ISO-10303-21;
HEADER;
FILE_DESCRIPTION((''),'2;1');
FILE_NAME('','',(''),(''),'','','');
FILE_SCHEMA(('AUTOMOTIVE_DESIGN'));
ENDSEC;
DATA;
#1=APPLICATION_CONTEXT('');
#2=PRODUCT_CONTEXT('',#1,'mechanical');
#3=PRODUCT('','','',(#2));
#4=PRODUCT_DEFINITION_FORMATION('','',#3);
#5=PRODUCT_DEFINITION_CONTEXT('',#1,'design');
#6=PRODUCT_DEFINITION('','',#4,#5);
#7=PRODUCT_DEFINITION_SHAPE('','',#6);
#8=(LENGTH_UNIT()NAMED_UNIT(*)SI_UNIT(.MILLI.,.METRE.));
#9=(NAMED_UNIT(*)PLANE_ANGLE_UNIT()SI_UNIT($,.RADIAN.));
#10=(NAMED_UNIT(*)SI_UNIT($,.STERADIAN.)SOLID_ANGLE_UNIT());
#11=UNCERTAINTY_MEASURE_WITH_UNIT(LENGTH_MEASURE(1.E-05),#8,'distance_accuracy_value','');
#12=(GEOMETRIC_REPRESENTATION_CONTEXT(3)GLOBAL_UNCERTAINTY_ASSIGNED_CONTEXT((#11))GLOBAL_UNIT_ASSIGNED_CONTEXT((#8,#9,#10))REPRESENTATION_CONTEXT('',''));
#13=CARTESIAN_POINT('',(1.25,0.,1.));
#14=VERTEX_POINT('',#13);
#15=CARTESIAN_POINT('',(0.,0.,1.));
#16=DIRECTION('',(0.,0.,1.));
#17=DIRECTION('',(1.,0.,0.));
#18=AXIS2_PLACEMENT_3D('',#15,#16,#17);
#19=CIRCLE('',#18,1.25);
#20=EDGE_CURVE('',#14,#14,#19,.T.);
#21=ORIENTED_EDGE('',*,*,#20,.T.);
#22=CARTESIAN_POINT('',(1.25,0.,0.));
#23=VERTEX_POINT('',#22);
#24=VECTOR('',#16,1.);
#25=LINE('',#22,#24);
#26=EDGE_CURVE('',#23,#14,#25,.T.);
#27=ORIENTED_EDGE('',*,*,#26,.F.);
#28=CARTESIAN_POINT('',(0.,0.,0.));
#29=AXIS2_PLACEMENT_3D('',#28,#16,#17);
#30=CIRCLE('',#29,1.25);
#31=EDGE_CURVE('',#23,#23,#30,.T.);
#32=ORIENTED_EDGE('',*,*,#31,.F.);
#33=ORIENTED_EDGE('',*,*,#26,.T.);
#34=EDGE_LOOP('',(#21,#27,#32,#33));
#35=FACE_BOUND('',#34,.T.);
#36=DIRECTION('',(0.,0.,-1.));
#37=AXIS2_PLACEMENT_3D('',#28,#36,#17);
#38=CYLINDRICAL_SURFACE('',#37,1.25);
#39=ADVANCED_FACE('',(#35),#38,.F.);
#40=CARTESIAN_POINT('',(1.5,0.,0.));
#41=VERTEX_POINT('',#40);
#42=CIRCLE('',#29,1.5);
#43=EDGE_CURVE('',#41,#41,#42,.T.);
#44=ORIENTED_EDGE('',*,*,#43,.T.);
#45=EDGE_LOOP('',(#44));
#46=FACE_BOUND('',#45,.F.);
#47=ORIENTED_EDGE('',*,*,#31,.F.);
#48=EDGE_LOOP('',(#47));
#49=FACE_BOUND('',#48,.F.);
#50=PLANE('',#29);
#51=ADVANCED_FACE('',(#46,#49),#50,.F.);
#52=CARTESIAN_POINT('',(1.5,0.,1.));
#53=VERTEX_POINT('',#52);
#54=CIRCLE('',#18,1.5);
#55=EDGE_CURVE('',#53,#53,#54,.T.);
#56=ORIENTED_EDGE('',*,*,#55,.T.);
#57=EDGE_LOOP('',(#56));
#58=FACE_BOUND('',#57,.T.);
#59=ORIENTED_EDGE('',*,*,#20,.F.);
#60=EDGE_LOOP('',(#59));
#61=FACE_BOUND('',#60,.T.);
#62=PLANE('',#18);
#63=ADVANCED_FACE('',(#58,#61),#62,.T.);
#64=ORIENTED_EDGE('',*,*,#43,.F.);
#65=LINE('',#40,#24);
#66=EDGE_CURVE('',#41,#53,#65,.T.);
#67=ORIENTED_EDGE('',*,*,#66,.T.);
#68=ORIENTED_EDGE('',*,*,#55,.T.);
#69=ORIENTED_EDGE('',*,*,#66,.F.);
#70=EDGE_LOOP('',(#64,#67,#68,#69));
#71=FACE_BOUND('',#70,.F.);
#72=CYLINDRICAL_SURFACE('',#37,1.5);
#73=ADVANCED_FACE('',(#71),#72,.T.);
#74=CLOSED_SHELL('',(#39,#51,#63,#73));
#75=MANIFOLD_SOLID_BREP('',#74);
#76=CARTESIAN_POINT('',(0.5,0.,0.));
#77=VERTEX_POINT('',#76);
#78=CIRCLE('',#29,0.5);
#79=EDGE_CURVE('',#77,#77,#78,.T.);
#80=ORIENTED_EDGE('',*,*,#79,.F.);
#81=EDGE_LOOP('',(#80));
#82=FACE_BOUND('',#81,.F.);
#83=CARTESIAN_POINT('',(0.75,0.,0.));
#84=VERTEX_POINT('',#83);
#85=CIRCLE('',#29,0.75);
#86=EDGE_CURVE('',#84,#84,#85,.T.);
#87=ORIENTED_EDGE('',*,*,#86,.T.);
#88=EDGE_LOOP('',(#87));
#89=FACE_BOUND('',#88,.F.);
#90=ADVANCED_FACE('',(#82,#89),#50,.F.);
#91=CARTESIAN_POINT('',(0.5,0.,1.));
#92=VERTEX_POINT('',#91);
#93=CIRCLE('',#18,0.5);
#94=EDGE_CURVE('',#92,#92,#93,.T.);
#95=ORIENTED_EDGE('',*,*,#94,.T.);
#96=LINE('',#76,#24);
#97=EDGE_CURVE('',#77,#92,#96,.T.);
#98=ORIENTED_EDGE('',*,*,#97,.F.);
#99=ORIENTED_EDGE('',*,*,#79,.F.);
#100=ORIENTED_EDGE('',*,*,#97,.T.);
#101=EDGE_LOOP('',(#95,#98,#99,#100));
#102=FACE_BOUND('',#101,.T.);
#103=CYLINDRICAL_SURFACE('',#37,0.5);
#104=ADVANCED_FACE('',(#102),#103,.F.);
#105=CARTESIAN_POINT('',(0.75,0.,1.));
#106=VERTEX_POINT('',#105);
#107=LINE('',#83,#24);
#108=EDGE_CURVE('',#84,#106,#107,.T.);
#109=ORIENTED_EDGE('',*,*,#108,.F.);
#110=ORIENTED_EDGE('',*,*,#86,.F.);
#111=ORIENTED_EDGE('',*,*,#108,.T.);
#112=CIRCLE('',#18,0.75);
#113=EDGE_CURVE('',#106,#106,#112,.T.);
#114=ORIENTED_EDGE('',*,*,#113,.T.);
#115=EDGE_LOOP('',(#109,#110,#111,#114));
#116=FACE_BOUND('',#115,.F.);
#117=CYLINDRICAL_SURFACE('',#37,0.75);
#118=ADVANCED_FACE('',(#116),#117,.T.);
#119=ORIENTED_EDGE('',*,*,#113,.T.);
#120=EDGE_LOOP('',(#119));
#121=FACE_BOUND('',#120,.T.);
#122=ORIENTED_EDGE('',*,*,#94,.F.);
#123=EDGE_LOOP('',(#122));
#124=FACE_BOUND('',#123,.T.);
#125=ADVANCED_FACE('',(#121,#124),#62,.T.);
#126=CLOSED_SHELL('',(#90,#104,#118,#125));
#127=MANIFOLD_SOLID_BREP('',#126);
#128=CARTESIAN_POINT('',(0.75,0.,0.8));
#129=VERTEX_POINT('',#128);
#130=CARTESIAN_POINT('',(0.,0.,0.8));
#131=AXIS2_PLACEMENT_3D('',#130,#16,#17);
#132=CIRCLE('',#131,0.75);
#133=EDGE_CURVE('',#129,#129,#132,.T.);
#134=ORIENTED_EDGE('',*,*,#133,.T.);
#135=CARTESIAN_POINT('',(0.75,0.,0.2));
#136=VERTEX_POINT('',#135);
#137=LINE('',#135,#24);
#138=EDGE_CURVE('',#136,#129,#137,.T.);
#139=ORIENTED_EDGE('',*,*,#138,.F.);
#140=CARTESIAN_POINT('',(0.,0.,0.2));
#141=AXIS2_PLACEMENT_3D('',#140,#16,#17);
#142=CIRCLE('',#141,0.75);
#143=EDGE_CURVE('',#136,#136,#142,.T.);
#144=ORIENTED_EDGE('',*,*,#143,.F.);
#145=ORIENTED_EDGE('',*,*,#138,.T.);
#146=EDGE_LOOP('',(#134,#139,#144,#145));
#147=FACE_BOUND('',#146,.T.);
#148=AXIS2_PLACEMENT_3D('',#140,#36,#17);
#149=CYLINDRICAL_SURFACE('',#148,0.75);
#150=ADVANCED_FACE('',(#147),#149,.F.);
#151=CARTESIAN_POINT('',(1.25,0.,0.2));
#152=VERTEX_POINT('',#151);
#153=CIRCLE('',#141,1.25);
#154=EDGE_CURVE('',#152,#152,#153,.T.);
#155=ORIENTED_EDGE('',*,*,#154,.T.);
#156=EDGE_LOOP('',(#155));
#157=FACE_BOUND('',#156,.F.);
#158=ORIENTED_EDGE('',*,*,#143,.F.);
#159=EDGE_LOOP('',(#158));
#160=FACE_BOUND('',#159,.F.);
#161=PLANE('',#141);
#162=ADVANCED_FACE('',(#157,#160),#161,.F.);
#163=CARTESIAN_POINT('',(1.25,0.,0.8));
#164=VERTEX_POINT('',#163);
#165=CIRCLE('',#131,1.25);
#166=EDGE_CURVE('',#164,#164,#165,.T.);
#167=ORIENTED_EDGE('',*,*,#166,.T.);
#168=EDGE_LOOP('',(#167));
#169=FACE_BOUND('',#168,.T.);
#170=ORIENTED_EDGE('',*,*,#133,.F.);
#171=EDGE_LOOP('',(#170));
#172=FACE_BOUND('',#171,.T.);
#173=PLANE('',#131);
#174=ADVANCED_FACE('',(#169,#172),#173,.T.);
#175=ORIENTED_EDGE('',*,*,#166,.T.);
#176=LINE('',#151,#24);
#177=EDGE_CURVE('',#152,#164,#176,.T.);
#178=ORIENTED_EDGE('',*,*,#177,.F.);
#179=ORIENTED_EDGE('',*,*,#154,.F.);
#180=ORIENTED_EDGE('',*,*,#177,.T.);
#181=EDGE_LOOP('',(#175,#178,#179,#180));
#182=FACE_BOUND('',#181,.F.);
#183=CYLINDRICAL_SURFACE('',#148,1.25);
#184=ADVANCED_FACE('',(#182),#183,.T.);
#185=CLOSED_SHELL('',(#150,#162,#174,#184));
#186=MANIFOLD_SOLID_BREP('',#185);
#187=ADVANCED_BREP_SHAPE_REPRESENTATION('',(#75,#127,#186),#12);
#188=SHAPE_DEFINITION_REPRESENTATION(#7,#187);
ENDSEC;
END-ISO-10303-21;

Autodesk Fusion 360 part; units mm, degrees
sketch "スケッチ1" plane through (0, 0, 0) normal (0, 0, 1) x (1, 0, 0)
  circle A0 centre (0, 0) radius 1.5
  circle A1 centre (0, 0) radius 1.25
  circle A2 centre (0, 0) radius 0.75
  circle A3 centre (0, 0) radius 0.5
  dimension "d1" = 3
  dimension "d2" = 1
  dimension "d3" = 1.5
  dimension "d4" = 2.5
extrude "押し出し1" add sketch "スケッチ1" along normal blind 1 contours A0 makes body 1
extrude "押し出し2" add sketch "スケッチ1" along normal blind 0.6 from surface at 0.2 separate body contours A1 makes body 2
extrude "押し出し1'" add sketch "スケッチ1" along normal blind 1 separate body contours A2 makes body 3 in component "Component'"
component "Component'" placed x (1, 0, 0) y (0, 1, 0) z (0, 0, 1) at (0, 0, 0)
